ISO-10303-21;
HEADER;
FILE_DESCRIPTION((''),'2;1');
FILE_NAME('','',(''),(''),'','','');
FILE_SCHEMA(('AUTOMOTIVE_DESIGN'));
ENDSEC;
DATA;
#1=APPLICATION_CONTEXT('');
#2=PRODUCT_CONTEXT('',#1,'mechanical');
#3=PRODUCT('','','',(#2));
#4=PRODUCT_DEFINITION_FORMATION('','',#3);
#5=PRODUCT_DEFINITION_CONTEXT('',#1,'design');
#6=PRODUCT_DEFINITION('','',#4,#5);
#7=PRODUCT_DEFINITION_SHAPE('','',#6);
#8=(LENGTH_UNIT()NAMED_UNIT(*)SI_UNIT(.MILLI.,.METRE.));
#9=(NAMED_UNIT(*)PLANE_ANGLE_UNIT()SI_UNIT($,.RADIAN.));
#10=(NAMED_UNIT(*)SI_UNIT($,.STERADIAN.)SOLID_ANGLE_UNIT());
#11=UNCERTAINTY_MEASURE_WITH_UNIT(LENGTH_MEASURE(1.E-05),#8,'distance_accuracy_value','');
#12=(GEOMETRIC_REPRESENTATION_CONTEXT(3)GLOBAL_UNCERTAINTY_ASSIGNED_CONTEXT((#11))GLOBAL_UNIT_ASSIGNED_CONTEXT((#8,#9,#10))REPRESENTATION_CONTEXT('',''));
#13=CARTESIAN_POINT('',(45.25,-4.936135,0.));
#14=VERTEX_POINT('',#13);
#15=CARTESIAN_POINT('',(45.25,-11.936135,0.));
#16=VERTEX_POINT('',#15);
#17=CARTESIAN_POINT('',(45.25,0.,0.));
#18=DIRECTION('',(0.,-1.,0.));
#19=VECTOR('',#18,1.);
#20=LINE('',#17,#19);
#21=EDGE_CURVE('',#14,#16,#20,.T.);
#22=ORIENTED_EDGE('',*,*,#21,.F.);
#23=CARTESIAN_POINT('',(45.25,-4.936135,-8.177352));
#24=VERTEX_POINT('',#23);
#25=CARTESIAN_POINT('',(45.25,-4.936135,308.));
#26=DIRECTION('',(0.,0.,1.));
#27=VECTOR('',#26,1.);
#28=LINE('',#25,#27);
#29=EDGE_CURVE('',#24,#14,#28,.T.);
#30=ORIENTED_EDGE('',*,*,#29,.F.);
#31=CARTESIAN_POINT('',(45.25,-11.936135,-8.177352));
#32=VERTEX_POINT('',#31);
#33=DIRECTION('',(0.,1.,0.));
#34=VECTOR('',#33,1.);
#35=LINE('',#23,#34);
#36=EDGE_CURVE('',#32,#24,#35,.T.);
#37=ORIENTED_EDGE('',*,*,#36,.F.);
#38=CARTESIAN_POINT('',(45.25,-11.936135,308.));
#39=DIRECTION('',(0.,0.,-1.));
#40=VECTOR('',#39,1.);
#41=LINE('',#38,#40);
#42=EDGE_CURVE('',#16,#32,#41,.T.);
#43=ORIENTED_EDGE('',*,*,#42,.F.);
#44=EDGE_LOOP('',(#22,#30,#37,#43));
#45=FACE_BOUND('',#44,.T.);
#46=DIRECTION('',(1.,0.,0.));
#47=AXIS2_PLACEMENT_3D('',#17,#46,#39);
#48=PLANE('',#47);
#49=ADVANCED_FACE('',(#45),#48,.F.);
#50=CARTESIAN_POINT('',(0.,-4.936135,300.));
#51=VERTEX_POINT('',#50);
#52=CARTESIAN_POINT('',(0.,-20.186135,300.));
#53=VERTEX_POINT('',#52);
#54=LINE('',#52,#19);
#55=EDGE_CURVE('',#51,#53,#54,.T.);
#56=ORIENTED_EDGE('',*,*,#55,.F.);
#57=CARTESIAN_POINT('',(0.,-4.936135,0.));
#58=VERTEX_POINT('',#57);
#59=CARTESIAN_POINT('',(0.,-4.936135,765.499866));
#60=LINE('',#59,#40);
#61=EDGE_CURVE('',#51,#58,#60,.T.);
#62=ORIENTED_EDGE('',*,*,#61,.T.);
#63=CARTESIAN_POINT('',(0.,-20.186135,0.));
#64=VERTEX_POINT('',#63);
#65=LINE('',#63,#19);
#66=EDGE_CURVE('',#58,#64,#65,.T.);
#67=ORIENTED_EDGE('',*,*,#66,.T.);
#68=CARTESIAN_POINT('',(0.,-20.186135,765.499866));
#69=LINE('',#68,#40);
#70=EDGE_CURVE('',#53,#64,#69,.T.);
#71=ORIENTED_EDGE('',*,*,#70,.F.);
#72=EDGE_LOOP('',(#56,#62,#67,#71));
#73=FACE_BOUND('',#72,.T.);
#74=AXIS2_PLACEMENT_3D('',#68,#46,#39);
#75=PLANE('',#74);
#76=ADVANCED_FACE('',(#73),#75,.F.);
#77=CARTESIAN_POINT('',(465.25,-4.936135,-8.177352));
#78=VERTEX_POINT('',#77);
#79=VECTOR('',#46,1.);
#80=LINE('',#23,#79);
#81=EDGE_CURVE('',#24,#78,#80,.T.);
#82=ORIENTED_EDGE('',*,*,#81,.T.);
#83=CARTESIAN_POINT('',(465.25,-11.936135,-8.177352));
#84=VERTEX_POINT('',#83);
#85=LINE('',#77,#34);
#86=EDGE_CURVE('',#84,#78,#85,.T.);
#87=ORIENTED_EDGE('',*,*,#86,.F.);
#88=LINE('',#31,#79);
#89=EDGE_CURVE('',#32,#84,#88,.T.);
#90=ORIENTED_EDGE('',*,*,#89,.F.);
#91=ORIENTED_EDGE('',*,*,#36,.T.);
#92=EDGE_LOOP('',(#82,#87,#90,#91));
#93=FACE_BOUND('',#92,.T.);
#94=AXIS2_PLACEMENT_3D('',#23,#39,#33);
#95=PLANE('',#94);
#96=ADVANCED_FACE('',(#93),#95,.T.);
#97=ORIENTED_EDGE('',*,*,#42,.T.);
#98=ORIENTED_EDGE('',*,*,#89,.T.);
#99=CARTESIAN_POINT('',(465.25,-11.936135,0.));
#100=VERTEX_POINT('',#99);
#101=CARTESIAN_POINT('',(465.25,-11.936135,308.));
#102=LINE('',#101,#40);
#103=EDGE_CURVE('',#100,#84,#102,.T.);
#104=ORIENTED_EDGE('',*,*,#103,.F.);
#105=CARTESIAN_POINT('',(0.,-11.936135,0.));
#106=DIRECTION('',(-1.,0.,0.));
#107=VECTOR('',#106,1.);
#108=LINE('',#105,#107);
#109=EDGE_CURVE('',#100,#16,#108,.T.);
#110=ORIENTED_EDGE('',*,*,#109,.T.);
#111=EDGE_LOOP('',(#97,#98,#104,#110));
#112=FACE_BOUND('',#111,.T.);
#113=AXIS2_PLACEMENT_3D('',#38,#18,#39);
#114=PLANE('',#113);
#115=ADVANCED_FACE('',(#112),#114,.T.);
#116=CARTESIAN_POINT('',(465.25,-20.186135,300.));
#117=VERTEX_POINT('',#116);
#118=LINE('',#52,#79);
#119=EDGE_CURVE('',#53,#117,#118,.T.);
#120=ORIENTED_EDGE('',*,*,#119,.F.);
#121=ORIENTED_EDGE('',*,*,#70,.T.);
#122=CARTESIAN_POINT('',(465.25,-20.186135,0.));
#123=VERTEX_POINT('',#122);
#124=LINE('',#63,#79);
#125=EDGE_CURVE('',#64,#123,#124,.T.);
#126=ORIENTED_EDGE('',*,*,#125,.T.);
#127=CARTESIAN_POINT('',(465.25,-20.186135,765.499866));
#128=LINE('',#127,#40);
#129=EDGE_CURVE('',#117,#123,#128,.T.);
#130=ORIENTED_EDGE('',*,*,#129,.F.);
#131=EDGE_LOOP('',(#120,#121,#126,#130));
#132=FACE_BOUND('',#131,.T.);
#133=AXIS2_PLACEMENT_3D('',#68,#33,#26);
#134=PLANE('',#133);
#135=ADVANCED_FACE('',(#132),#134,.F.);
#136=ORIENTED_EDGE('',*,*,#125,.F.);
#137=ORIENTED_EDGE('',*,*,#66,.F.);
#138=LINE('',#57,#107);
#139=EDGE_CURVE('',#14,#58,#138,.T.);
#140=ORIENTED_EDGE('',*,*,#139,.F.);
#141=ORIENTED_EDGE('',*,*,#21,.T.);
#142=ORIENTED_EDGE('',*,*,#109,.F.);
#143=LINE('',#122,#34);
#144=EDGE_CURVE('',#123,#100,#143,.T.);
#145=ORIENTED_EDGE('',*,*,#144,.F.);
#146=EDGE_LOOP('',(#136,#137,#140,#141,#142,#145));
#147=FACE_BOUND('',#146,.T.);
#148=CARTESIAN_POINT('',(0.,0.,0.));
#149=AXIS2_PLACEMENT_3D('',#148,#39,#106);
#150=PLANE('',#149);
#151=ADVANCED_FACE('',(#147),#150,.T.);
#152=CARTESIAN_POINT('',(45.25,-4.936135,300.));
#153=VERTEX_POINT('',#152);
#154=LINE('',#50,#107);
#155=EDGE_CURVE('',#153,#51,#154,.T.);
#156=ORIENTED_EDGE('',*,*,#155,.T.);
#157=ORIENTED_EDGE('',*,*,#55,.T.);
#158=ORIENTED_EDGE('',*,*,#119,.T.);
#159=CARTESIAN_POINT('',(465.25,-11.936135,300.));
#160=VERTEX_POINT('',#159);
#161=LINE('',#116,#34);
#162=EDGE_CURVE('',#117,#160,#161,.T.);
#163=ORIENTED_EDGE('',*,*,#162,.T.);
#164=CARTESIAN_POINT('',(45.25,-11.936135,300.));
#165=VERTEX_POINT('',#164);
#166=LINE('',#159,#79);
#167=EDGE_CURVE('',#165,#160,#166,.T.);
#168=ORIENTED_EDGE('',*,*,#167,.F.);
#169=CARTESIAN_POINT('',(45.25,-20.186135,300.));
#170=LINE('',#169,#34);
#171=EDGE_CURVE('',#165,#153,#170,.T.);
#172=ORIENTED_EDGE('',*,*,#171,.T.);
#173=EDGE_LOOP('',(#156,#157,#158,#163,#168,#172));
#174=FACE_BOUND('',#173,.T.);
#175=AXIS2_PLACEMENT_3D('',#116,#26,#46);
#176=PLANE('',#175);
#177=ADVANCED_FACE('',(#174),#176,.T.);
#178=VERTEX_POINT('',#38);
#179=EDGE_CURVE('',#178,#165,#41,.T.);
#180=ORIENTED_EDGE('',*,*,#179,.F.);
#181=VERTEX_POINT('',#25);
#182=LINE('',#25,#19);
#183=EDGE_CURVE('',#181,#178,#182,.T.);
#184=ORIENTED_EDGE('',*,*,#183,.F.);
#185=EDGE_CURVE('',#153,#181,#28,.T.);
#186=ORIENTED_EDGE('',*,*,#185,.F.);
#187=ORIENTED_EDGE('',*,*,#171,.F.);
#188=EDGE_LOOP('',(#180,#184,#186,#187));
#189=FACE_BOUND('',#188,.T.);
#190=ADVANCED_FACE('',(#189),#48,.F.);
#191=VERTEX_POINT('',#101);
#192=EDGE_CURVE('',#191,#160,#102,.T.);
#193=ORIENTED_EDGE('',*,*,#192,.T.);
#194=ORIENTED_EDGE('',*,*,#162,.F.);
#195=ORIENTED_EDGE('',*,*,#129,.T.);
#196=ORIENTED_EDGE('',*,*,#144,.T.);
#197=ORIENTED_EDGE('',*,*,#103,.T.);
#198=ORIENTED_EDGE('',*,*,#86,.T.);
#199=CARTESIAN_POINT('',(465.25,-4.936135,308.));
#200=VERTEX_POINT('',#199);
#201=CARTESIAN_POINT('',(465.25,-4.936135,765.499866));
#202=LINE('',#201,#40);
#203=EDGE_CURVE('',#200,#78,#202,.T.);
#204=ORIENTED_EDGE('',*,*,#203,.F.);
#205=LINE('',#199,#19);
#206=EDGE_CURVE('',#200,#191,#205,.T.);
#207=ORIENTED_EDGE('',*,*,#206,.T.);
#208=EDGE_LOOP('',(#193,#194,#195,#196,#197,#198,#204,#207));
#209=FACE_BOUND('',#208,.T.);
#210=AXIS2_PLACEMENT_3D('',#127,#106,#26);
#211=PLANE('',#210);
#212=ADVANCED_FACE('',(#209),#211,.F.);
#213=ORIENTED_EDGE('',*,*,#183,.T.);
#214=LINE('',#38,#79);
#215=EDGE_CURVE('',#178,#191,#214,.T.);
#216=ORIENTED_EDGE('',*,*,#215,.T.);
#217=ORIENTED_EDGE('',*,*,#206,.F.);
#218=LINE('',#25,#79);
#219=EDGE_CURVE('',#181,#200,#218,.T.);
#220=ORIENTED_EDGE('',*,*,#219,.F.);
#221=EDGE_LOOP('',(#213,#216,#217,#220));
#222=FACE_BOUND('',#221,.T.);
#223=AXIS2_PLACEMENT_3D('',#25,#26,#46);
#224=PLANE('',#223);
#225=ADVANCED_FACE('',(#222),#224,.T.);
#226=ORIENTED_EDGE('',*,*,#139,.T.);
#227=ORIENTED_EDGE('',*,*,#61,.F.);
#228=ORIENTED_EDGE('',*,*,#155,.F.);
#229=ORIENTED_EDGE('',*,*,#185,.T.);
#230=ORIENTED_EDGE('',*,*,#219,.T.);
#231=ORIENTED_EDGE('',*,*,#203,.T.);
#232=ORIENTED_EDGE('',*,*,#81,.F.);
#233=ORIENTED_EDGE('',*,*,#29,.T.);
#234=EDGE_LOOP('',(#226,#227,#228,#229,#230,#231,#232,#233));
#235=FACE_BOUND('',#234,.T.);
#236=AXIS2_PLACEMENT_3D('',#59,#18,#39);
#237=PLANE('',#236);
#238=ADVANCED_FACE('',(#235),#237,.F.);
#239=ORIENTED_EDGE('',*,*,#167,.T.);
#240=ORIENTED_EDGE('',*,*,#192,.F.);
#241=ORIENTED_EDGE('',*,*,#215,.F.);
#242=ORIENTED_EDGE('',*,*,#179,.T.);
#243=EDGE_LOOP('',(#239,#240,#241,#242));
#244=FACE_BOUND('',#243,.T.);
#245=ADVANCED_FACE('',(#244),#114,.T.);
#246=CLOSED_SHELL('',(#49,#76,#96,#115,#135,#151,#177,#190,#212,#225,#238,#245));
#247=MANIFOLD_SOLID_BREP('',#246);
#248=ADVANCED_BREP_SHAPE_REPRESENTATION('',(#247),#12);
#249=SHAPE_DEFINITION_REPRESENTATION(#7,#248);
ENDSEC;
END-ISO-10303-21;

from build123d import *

# Parameters (mm, degrees)
ESQUISSE1_W        = 465.25
ESQUISSE1_H        = 15.25
BOSS_EXTRU_1_DEPTH = 300
ESQUISSE2_W        = 316.17735242
ESQUISSE2_H        = 7
BOSS_EXTRU_2_DEPTH = 420


with BuildPart() as part:
    # Esquisse1 → Boss.-Extru.1 (new body)
    with BuildSketch(Plane.XY):
        with Locations((232.625, -12.561135371)):
            Rectangle(ESQUISSE1_W, ESQUISSE1_H)
    extrude(amount=BOSS_EXTRU_1_DEPTH)

    # Esquisse2 → Boss.-Extru.2 (add)
    with BuildSketch(Plane(origin=(465.25, 0, 0), x_dir=(0, 0, -1), z_dir=(1, 0, 0))):
        with Locations((-149.91132379, -8.436135371)):
            Rectangle(ESQUISSE2_W, ESQUISSE2_H)
    extrude(amount=-BOSS_EXTRU_2_DEPTH)


solid = part.part
